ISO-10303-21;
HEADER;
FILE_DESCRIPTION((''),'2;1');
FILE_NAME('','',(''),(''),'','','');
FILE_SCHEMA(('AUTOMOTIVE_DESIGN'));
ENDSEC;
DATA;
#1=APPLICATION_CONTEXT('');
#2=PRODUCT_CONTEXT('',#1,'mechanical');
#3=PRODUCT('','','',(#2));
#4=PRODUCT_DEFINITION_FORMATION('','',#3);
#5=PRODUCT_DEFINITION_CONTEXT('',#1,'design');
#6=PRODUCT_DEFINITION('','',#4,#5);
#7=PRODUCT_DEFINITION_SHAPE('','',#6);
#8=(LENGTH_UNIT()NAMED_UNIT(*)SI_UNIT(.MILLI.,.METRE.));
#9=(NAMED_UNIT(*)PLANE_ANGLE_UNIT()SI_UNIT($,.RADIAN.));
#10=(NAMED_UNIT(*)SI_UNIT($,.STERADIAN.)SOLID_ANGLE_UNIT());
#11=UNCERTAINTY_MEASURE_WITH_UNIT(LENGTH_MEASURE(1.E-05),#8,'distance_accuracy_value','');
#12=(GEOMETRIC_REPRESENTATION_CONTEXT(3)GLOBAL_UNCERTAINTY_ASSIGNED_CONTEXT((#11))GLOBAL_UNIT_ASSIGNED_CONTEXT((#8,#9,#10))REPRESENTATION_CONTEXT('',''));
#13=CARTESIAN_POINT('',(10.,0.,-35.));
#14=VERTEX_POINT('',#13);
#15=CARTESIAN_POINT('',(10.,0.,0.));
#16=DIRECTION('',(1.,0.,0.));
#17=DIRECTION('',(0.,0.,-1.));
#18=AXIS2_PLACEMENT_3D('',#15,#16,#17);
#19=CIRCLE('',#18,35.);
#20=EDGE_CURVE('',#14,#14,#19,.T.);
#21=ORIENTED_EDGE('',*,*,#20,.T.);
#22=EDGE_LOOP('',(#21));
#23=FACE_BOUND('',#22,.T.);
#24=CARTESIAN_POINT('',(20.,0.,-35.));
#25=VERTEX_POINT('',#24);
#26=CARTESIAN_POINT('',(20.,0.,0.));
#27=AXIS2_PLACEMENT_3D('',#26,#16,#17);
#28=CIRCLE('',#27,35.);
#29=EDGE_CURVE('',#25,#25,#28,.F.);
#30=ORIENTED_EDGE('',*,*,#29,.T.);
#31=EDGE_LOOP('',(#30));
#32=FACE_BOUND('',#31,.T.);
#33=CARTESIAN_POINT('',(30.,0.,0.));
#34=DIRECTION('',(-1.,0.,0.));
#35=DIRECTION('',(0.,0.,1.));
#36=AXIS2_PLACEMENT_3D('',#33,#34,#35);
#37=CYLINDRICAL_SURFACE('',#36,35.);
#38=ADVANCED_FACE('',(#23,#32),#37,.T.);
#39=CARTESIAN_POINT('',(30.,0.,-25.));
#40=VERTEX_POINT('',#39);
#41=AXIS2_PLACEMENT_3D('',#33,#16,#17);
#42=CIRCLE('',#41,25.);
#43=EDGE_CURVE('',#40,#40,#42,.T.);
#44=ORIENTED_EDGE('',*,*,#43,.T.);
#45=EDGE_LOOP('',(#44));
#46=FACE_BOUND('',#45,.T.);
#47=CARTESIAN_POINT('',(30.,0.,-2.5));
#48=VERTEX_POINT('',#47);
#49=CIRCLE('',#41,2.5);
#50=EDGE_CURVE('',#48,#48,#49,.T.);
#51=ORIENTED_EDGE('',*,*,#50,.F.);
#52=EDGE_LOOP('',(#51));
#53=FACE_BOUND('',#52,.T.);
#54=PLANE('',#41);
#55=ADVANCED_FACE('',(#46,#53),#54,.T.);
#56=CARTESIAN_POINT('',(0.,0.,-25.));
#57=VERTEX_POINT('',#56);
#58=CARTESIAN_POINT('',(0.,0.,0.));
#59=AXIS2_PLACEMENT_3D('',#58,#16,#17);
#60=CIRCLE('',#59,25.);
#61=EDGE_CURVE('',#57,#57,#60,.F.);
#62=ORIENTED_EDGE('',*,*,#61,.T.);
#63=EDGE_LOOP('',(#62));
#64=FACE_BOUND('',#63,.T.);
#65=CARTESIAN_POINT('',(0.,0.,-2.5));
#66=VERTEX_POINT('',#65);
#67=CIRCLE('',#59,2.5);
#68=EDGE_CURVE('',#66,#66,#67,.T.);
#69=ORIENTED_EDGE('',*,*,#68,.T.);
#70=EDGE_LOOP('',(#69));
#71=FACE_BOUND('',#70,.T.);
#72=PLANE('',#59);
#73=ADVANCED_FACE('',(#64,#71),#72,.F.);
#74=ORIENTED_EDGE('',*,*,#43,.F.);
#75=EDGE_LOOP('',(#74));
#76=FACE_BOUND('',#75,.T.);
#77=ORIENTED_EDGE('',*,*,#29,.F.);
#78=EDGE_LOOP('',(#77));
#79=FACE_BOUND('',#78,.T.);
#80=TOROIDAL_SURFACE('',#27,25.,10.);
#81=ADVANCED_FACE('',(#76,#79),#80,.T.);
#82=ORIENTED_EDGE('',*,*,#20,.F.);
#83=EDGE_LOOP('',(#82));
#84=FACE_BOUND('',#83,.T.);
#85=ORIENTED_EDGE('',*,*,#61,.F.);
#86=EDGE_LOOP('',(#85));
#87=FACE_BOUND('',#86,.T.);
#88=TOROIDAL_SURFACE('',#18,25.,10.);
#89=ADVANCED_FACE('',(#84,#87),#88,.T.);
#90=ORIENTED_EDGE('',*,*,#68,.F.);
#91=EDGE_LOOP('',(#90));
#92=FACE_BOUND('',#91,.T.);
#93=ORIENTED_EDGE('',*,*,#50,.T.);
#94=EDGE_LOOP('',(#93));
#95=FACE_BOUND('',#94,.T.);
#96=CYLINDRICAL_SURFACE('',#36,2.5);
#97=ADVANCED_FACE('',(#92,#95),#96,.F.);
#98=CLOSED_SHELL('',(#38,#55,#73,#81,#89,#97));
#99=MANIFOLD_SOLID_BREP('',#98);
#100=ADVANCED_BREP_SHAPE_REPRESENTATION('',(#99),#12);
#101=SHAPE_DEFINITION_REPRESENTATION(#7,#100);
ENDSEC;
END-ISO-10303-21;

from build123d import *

# Parameters (mm, degrees)
SKETCH_1_R        = 35
SKETCH_1_R_2      = 2.5
EXTRUDE_313_DEPTH = 30
FILLET_2_R        = 10


with BuildPart() as part:
    # Эскиз1 → Extrude 313 (new body)
    with BuildSketch(Plane(origin=(0, 0, 0), x_dir=(0, 0, -1), z_dir=(1, 0, 0))):
        Circle(SKETCH_1_R)
        Circle(SKETCH_1_R_2, mode=Mode.SUBTRACT)
    extrude(amount=EXTRUDE_313_DEPTH)

    # Скругление2
    fillet_2_edges = [part.edges().sort_by_distance(p)[0] for p in [
        (0, 0, 35),
        (30, 0, 35),
    ]]
    fillet(fillet_2_edges, radius=FILLET_2_R)


solid = part.part
